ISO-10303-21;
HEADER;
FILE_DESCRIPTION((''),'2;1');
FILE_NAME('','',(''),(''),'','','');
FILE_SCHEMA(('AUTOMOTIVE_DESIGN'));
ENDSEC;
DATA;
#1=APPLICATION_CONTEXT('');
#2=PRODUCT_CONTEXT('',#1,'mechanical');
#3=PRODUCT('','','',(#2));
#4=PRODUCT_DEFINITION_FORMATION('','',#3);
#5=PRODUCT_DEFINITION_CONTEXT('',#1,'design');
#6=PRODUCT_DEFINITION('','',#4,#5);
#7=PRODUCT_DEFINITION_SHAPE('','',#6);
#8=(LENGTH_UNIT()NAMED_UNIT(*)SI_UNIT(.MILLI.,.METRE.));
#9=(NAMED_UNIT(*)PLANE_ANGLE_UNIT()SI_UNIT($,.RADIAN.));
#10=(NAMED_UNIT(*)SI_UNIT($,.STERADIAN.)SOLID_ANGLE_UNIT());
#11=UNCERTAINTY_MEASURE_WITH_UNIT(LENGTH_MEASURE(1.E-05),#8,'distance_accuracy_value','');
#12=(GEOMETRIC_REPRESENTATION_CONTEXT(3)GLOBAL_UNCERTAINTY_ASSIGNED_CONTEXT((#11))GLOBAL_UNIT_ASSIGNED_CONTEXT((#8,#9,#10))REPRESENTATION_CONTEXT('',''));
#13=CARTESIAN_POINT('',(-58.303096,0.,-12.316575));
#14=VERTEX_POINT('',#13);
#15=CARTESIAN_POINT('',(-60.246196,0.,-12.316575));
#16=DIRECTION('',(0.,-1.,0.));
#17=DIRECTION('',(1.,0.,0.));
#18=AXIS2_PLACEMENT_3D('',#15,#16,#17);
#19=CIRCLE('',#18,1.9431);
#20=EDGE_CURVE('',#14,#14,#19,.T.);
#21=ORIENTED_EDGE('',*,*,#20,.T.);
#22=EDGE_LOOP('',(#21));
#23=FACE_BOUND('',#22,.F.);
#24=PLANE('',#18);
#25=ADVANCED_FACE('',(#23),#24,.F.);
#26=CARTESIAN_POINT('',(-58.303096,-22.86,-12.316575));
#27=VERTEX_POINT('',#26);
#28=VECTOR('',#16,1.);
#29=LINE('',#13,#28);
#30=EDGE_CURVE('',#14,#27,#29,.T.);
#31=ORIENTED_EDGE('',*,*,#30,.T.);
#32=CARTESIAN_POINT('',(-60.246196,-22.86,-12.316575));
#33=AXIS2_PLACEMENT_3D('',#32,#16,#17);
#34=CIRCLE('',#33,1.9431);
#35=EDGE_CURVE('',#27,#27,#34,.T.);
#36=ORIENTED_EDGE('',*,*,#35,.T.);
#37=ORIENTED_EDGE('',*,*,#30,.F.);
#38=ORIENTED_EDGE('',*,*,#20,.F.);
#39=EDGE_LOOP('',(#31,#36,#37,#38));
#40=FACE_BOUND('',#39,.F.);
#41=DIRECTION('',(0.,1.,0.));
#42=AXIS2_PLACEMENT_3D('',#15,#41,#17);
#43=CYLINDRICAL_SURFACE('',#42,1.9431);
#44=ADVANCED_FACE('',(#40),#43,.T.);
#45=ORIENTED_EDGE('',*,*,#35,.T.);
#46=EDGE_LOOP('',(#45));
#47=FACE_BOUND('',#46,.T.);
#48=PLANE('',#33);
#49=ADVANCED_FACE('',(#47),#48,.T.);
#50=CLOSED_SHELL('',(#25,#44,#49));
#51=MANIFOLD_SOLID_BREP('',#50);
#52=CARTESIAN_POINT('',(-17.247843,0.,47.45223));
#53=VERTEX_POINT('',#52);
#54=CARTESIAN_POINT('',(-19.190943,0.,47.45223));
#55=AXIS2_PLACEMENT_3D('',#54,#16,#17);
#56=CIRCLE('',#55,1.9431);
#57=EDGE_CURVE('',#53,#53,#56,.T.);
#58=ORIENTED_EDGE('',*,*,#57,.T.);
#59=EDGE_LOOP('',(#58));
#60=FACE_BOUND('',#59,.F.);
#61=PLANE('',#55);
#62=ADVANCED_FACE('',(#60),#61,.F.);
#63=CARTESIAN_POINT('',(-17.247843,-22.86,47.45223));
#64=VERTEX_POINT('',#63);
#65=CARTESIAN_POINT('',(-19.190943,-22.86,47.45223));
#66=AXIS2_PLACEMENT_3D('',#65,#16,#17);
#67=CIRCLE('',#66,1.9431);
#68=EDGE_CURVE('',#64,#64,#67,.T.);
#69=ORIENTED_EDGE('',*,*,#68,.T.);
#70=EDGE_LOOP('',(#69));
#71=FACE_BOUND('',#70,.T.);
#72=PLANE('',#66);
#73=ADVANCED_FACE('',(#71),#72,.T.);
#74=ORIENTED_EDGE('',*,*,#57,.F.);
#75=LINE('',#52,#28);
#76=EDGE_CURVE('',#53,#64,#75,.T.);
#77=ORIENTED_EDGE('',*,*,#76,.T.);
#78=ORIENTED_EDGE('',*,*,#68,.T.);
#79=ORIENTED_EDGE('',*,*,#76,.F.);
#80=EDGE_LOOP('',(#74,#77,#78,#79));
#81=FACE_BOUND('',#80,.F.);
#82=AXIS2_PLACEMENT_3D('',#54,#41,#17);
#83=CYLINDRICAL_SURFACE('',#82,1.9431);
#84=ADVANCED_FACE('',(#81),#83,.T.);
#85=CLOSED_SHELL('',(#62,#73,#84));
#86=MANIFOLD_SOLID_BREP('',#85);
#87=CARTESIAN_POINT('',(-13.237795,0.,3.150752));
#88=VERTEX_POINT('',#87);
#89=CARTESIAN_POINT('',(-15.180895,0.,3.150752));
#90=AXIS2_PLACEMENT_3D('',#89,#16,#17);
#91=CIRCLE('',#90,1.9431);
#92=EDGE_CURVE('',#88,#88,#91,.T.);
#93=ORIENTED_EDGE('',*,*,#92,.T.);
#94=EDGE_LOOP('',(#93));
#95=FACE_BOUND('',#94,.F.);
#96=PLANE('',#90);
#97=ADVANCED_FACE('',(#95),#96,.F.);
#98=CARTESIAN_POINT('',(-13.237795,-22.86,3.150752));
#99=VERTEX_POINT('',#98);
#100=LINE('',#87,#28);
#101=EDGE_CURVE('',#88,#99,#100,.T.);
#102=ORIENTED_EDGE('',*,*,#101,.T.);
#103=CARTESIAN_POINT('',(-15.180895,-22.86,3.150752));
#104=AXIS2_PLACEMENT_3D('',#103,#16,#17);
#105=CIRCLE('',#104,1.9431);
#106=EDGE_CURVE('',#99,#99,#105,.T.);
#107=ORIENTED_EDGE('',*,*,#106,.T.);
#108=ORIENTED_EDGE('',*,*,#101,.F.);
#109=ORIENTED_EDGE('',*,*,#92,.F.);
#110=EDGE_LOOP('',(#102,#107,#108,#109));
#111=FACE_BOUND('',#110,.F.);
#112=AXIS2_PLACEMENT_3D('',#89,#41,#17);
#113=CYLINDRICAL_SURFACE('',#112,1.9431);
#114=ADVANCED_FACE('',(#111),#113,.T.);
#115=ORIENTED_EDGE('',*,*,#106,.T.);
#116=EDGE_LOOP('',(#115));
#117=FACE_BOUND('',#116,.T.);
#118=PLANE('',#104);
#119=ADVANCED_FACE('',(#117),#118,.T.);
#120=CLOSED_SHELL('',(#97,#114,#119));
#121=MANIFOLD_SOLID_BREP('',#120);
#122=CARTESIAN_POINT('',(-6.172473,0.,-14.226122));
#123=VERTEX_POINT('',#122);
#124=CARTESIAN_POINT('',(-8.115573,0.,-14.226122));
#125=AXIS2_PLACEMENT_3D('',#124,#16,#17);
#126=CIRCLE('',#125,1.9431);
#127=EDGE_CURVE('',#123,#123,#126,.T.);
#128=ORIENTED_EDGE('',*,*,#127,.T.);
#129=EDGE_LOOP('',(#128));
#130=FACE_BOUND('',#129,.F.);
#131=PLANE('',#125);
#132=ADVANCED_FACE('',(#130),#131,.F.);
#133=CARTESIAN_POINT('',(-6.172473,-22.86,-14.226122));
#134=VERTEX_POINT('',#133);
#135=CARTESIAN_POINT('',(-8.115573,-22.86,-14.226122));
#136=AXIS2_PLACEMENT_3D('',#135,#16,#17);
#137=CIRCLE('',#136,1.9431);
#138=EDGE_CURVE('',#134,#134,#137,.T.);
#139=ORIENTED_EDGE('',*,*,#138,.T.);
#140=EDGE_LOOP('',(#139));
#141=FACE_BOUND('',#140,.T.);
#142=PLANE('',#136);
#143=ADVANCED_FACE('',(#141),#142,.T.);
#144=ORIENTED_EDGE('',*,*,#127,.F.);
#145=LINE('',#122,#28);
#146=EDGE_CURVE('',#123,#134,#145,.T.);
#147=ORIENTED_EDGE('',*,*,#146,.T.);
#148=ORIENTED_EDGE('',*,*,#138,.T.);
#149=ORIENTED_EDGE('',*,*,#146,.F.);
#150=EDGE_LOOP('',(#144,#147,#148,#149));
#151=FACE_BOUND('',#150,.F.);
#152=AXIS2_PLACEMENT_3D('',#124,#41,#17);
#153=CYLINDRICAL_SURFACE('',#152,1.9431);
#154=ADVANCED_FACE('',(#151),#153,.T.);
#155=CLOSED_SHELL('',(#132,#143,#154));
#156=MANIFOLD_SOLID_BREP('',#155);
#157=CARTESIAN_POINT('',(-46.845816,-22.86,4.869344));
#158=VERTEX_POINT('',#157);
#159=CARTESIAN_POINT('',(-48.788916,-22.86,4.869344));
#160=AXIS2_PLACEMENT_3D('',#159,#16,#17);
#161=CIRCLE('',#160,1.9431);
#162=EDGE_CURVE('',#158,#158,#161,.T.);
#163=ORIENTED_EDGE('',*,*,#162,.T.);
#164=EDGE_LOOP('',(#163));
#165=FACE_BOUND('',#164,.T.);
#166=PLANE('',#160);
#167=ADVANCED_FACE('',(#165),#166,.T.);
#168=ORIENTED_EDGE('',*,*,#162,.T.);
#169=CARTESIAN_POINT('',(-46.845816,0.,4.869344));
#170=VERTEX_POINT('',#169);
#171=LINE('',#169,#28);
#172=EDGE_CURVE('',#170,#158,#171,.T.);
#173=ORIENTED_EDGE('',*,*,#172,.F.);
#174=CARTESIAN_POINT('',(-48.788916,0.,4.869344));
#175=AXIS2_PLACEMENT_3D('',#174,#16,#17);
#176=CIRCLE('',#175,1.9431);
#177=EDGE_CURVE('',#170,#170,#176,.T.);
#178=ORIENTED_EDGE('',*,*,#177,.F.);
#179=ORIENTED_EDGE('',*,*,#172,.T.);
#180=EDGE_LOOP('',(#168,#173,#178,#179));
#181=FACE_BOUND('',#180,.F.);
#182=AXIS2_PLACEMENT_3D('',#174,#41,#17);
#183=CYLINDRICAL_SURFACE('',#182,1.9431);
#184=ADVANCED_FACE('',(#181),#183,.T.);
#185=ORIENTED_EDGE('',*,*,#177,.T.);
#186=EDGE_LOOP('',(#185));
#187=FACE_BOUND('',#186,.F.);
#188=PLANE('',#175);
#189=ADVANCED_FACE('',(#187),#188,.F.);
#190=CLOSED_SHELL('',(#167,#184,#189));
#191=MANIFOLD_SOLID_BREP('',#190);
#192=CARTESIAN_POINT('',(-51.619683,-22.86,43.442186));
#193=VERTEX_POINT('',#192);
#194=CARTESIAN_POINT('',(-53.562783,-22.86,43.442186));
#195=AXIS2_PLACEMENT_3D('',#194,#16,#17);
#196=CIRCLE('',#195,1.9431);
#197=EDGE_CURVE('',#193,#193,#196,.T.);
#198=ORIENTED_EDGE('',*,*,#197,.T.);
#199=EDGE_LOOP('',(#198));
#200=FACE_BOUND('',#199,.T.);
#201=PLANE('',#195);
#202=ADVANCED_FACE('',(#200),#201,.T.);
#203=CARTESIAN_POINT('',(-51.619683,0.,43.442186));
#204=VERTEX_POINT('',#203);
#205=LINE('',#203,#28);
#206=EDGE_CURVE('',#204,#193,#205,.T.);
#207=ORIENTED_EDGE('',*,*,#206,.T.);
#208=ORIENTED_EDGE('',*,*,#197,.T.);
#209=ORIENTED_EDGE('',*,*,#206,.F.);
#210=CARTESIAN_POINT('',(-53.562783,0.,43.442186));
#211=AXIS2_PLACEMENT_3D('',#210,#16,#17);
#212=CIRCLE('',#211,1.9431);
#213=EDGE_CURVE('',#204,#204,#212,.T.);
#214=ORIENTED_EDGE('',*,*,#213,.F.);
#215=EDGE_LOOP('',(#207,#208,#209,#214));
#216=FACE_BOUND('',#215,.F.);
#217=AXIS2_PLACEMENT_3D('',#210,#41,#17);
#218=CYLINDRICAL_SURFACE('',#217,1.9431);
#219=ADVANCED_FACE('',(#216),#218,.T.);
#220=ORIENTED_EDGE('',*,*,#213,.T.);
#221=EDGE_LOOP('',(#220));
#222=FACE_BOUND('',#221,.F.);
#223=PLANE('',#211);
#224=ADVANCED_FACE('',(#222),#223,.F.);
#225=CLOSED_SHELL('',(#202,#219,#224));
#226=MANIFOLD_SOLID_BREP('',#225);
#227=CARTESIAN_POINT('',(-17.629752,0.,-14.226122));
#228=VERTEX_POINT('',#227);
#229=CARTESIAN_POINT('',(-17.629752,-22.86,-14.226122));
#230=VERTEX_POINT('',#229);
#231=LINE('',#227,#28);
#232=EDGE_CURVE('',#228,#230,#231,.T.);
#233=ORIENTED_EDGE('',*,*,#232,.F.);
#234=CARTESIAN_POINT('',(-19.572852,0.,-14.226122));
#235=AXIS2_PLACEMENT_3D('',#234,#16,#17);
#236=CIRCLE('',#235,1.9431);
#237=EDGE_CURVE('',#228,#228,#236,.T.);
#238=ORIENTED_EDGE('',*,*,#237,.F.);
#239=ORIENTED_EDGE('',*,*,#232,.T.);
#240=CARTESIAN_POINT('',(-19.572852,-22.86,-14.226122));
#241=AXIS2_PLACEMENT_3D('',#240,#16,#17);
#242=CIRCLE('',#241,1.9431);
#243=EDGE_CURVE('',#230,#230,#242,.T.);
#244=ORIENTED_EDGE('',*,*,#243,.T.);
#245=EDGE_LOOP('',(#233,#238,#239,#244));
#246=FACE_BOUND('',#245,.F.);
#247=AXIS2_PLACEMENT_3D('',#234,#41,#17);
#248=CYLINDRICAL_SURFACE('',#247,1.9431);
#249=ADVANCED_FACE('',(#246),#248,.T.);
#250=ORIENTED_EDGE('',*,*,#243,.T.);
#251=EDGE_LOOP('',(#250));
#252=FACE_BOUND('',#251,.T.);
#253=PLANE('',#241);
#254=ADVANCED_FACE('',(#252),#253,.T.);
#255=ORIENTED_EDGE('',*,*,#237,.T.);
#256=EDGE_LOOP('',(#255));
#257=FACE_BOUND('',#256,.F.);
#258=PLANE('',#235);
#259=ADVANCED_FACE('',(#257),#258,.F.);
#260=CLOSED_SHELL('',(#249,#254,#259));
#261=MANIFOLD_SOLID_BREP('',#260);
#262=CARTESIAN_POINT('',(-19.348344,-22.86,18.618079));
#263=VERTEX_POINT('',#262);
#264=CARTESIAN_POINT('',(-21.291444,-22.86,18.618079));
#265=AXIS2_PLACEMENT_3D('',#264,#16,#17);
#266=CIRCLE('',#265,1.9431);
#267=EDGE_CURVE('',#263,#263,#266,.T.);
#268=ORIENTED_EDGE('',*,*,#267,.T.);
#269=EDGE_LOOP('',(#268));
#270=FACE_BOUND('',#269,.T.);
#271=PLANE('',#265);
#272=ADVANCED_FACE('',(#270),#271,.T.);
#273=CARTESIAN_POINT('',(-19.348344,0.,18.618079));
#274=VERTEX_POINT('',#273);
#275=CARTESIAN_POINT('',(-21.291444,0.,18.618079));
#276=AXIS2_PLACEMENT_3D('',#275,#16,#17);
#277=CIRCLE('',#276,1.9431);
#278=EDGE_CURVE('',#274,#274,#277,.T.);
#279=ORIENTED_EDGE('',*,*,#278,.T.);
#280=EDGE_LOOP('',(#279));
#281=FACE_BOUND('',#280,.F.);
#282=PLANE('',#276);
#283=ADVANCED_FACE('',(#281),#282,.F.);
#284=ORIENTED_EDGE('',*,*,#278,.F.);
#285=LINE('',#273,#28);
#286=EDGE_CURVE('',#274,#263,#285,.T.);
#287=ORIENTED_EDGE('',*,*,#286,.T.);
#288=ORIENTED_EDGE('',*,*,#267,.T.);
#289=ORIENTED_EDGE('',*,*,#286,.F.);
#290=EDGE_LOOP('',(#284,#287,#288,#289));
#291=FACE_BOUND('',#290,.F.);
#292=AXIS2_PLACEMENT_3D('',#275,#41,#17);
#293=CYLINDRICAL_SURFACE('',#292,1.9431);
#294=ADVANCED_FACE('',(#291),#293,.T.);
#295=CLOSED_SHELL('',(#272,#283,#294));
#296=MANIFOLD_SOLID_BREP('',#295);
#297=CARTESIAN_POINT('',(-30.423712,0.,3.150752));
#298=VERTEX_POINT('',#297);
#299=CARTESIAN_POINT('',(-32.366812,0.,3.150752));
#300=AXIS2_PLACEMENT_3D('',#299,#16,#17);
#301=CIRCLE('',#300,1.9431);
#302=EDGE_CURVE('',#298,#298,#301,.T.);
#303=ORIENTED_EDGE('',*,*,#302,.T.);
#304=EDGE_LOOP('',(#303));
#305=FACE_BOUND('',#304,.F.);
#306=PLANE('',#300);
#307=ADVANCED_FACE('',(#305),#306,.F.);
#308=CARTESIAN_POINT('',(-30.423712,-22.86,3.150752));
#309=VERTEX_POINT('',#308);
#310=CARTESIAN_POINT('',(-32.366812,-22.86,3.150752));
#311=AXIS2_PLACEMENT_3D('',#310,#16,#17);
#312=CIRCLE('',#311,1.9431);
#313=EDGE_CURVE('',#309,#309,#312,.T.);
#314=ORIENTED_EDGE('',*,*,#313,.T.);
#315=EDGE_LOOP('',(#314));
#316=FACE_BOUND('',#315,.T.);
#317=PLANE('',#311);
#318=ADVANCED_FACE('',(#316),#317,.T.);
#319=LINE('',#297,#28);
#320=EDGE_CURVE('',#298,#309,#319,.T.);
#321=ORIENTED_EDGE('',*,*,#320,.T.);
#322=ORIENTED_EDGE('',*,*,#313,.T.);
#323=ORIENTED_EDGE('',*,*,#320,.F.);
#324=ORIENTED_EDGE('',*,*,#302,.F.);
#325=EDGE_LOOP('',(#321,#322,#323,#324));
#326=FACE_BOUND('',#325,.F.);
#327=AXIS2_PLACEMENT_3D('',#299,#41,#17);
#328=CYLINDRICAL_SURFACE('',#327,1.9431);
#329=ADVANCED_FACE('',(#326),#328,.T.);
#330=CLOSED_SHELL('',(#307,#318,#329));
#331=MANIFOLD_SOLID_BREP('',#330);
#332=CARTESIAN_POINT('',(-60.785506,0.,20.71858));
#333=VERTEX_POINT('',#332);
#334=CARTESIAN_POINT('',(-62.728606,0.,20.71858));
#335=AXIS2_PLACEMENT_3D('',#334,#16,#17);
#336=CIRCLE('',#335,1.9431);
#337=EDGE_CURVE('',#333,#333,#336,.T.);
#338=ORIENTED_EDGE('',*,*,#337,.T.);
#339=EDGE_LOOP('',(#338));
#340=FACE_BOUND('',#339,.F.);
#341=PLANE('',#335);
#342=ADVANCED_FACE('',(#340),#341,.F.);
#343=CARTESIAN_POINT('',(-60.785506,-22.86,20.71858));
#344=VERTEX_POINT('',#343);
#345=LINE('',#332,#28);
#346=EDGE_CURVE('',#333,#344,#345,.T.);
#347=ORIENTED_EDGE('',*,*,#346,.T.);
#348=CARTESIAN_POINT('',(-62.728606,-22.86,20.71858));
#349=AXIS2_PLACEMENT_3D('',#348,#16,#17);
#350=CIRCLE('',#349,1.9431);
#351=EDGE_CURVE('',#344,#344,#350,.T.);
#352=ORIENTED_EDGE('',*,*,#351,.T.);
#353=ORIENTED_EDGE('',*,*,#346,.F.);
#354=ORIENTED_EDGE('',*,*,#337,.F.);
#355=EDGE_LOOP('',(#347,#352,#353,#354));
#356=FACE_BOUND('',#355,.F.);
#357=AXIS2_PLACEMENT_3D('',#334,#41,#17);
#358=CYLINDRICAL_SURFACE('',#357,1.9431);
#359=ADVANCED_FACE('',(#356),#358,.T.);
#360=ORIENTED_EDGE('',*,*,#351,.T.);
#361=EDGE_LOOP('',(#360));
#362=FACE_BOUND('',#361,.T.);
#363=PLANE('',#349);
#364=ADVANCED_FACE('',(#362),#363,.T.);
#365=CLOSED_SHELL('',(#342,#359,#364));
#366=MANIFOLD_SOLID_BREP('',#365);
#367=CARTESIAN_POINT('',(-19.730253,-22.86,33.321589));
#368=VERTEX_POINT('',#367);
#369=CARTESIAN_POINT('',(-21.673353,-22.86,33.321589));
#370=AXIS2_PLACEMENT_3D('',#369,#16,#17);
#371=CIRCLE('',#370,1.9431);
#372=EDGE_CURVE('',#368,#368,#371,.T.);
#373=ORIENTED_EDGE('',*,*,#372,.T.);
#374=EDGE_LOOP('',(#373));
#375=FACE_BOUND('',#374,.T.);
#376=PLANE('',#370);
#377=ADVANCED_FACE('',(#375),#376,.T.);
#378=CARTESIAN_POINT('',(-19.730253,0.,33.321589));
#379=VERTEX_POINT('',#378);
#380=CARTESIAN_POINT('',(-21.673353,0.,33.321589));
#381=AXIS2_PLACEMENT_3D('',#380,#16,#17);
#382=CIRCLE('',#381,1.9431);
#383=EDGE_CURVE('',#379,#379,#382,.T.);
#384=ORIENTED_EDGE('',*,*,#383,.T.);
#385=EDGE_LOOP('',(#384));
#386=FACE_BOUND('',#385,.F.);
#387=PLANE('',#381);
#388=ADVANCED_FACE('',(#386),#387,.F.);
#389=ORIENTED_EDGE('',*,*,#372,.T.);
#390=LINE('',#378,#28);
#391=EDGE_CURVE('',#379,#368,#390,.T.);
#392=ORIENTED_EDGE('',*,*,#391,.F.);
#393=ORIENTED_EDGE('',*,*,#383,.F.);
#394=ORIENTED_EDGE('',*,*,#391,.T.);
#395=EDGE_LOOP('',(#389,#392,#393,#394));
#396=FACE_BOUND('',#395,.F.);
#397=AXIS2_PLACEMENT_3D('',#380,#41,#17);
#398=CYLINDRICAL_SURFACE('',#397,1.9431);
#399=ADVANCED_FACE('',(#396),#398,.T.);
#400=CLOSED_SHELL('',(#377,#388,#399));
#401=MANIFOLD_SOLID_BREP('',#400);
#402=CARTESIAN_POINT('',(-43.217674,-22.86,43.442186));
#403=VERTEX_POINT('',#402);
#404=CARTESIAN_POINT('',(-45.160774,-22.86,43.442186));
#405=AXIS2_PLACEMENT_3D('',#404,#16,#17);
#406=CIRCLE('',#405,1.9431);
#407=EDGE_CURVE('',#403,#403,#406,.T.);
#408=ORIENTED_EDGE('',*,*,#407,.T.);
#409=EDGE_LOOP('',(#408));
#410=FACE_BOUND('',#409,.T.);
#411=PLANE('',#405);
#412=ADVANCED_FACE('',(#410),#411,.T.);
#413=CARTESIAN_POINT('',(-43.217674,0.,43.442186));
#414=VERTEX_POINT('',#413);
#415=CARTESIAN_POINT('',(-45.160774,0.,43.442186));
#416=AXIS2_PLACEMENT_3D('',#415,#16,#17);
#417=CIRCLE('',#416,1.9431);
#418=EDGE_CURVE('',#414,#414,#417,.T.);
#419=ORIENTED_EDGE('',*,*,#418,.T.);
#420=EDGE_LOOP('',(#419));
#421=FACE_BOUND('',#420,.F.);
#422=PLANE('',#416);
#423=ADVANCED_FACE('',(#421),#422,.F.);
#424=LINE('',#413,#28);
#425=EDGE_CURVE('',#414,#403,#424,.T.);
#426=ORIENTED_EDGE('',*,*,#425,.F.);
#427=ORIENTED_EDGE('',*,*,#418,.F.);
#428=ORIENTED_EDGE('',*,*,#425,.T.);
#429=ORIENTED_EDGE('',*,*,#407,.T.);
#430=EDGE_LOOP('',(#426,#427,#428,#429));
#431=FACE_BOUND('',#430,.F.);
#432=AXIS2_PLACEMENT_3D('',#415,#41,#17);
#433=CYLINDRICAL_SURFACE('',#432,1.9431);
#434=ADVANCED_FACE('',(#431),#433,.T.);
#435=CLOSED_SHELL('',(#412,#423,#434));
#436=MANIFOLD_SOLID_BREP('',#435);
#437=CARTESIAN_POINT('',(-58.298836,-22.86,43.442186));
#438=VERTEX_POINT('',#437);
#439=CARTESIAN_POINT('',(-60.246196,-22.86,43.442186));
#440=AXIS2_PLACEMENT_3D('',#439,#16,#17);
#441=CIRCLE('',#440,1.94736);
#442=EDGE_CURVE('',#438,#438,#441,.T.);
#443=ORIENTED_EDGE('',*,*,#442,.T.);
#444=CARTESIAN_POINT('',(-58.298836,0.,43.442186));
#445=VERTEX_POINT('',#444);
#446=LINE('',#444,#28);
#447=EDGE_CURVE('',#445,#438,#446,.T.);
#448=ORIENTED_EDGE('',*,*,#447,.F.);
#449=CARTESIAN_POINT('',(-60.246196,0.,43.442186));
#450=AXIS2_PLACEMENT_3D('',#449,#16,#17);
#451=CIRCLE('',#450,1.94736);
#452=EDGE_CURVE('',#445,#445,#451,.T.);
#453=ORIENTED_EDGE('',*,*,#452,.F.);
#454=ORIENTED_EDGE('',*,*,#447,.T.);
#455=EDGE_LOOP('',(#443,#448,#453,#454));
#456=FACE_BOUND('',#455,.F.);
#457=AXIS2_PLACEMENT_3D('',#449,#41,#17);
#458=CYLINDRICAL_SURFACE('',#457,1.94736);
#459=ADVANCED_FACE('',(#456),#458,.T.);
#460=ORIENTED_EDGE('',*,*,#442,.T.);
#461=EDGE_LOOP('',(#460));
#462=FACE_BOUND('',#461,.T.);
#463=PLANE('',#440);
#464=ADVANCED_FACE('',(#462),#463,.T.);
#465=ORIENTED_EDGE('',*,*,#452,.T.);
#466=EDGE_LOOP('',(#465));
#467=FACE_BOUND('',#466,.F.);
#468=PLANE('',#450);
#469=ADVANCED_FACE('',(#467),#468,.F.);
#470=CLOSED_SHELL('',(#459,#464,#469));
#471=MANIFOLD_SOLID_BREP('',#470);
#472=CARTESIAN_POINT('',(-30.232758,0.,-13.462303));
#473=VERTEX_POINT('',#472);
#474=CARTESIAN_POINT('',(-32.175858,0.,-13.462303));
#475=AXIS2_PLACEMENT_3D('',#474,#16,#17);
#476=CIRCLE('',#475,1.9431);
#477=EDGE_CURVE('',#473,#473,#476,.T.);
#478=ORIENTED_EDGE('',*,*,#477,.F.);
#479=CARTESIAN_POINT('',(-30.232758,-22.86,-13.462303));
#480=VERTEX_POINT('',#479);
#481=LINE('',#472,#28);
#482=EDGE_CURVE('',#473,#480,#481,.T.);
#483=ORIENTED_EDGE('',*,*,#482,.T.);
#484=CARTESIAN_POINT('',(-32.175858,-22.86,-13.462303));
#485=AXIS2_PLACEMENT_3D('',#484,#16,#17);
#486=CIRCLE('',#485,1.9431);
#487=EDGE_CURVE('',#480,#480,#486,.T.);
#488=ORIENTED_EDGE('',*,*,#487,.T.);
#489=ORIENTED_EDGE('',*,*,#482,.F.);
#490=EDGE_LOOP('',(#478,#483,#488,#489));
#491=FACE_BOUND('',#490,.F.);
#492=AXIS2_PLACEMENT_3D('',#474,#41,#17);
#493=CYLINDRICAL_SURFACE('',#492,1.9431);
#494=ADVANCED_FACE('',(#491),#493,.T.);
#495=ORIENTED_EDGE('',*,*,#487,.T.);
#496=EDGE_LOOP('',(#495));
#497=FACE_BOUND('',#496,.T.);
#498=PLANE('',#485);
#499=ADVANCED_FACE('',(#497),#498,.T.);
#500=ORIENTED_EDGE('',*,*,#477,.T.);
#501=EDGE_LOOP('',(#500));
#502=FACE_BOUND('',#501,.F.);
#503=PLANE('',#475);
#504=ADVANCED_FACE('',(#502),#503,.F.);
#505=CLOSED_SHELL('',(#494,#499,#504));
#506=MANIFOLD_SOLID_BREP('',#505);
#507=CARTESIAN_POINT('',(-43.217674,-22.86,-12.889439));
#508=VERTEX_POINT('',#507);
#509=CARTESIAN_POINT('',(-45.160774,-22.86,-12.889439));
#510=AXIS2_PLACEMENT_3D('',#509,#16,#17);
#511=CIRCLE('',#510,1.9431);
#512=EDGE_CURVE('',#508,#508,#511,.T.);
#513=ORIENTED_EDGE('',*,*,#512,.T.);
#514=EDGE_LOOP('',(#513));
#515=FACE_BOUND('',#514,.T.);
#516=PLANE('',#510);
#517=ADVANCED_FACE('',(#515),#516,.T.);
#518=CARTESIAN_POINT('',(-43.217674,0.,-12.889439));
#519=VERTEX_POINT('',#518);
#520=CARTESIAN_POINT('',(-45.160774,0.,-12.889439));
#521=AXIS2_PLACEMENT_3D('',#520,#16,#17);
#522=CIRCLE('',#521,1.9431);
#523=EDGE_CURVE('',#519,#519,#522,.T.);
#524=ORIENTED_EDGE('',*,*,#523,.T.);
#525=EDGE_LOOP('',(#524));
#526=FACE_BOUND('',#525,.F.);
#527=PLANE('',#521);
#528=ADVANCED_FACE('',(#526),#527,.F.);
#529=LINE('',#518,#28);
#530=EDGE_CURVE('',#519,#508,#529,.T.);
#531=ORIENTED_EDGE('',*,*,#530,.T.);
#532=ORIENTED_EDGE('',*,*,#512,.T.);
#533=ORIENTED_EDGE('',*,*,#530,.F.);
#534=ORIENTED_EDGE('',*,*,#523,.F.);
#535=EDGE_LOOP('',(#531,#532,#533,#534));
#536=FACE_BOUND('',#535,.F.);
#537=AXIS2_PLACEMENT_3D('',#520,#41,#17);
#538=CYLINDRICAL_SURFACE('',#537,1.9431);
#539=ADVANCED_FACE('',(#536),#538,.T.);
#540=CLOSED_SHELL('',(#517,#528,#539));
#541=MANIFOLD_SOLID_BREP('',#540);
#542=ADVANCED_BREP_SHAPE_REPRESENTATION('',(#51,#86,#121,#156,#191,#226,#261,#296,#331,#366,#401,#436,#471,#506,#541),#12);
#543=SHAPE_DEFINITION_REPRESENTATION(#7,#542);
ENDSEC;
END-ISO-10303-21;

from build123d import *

# Parameters (mm, degrees)
F0_R     = 1.94736
F0_R_2   = 1.9431
F1_DEPTH = 22.86


with BuildPart() as f1:
    # F0 (on Front) → F1 (new body)
    with BuildSketch(Plane.XZ):
        with Locations((-60.246196, 43.442186)):
            Circle(F0_R)
        with Locations((-53.562783, 43.442186)):
            Circle(F0_R_2)
        with Locations((-45.160774, 43.442186)):
            Circle(F0_R_2)
        with Locations((-62.728606, 20.71858)):
            Circle(F0_R_2)
        with Locations((-21.291444, 18.618079)):
            Circle(F0_R_2)
        with Locations((-21.673353, 33.321589)):
            Circle(F0_R_2)
        with Locations((-19.190943, 47.45223)):
            Circle(F0_R_2)
        with Locations((-48.788916, 4.869344)):
            Circle(F0_R_2)
        with Locations((-32.366812, 3.150752)):
            Circle(F0_R_2)
        with Locations((-15.180895, 3.150752)):
            Circle(F0_R_2)
        with Locations((-60.246196, -12.316575)):
            Circle(F0_R_2)
        with Locations((-45.160774, -12.889439)):
            Circle(F0_R_2)
        with Locations((-32.175858, -13.462303)):
            Circle(F0_R_2)
        with Locations((-19.572852, -14.226122)):
            Circle(F0_R_2)
        with Locations((-8.115573, -14.226122)):
            Circle(F0_R_2)
    extrude(amount=F1_DEPTH)


solid = f1.part
